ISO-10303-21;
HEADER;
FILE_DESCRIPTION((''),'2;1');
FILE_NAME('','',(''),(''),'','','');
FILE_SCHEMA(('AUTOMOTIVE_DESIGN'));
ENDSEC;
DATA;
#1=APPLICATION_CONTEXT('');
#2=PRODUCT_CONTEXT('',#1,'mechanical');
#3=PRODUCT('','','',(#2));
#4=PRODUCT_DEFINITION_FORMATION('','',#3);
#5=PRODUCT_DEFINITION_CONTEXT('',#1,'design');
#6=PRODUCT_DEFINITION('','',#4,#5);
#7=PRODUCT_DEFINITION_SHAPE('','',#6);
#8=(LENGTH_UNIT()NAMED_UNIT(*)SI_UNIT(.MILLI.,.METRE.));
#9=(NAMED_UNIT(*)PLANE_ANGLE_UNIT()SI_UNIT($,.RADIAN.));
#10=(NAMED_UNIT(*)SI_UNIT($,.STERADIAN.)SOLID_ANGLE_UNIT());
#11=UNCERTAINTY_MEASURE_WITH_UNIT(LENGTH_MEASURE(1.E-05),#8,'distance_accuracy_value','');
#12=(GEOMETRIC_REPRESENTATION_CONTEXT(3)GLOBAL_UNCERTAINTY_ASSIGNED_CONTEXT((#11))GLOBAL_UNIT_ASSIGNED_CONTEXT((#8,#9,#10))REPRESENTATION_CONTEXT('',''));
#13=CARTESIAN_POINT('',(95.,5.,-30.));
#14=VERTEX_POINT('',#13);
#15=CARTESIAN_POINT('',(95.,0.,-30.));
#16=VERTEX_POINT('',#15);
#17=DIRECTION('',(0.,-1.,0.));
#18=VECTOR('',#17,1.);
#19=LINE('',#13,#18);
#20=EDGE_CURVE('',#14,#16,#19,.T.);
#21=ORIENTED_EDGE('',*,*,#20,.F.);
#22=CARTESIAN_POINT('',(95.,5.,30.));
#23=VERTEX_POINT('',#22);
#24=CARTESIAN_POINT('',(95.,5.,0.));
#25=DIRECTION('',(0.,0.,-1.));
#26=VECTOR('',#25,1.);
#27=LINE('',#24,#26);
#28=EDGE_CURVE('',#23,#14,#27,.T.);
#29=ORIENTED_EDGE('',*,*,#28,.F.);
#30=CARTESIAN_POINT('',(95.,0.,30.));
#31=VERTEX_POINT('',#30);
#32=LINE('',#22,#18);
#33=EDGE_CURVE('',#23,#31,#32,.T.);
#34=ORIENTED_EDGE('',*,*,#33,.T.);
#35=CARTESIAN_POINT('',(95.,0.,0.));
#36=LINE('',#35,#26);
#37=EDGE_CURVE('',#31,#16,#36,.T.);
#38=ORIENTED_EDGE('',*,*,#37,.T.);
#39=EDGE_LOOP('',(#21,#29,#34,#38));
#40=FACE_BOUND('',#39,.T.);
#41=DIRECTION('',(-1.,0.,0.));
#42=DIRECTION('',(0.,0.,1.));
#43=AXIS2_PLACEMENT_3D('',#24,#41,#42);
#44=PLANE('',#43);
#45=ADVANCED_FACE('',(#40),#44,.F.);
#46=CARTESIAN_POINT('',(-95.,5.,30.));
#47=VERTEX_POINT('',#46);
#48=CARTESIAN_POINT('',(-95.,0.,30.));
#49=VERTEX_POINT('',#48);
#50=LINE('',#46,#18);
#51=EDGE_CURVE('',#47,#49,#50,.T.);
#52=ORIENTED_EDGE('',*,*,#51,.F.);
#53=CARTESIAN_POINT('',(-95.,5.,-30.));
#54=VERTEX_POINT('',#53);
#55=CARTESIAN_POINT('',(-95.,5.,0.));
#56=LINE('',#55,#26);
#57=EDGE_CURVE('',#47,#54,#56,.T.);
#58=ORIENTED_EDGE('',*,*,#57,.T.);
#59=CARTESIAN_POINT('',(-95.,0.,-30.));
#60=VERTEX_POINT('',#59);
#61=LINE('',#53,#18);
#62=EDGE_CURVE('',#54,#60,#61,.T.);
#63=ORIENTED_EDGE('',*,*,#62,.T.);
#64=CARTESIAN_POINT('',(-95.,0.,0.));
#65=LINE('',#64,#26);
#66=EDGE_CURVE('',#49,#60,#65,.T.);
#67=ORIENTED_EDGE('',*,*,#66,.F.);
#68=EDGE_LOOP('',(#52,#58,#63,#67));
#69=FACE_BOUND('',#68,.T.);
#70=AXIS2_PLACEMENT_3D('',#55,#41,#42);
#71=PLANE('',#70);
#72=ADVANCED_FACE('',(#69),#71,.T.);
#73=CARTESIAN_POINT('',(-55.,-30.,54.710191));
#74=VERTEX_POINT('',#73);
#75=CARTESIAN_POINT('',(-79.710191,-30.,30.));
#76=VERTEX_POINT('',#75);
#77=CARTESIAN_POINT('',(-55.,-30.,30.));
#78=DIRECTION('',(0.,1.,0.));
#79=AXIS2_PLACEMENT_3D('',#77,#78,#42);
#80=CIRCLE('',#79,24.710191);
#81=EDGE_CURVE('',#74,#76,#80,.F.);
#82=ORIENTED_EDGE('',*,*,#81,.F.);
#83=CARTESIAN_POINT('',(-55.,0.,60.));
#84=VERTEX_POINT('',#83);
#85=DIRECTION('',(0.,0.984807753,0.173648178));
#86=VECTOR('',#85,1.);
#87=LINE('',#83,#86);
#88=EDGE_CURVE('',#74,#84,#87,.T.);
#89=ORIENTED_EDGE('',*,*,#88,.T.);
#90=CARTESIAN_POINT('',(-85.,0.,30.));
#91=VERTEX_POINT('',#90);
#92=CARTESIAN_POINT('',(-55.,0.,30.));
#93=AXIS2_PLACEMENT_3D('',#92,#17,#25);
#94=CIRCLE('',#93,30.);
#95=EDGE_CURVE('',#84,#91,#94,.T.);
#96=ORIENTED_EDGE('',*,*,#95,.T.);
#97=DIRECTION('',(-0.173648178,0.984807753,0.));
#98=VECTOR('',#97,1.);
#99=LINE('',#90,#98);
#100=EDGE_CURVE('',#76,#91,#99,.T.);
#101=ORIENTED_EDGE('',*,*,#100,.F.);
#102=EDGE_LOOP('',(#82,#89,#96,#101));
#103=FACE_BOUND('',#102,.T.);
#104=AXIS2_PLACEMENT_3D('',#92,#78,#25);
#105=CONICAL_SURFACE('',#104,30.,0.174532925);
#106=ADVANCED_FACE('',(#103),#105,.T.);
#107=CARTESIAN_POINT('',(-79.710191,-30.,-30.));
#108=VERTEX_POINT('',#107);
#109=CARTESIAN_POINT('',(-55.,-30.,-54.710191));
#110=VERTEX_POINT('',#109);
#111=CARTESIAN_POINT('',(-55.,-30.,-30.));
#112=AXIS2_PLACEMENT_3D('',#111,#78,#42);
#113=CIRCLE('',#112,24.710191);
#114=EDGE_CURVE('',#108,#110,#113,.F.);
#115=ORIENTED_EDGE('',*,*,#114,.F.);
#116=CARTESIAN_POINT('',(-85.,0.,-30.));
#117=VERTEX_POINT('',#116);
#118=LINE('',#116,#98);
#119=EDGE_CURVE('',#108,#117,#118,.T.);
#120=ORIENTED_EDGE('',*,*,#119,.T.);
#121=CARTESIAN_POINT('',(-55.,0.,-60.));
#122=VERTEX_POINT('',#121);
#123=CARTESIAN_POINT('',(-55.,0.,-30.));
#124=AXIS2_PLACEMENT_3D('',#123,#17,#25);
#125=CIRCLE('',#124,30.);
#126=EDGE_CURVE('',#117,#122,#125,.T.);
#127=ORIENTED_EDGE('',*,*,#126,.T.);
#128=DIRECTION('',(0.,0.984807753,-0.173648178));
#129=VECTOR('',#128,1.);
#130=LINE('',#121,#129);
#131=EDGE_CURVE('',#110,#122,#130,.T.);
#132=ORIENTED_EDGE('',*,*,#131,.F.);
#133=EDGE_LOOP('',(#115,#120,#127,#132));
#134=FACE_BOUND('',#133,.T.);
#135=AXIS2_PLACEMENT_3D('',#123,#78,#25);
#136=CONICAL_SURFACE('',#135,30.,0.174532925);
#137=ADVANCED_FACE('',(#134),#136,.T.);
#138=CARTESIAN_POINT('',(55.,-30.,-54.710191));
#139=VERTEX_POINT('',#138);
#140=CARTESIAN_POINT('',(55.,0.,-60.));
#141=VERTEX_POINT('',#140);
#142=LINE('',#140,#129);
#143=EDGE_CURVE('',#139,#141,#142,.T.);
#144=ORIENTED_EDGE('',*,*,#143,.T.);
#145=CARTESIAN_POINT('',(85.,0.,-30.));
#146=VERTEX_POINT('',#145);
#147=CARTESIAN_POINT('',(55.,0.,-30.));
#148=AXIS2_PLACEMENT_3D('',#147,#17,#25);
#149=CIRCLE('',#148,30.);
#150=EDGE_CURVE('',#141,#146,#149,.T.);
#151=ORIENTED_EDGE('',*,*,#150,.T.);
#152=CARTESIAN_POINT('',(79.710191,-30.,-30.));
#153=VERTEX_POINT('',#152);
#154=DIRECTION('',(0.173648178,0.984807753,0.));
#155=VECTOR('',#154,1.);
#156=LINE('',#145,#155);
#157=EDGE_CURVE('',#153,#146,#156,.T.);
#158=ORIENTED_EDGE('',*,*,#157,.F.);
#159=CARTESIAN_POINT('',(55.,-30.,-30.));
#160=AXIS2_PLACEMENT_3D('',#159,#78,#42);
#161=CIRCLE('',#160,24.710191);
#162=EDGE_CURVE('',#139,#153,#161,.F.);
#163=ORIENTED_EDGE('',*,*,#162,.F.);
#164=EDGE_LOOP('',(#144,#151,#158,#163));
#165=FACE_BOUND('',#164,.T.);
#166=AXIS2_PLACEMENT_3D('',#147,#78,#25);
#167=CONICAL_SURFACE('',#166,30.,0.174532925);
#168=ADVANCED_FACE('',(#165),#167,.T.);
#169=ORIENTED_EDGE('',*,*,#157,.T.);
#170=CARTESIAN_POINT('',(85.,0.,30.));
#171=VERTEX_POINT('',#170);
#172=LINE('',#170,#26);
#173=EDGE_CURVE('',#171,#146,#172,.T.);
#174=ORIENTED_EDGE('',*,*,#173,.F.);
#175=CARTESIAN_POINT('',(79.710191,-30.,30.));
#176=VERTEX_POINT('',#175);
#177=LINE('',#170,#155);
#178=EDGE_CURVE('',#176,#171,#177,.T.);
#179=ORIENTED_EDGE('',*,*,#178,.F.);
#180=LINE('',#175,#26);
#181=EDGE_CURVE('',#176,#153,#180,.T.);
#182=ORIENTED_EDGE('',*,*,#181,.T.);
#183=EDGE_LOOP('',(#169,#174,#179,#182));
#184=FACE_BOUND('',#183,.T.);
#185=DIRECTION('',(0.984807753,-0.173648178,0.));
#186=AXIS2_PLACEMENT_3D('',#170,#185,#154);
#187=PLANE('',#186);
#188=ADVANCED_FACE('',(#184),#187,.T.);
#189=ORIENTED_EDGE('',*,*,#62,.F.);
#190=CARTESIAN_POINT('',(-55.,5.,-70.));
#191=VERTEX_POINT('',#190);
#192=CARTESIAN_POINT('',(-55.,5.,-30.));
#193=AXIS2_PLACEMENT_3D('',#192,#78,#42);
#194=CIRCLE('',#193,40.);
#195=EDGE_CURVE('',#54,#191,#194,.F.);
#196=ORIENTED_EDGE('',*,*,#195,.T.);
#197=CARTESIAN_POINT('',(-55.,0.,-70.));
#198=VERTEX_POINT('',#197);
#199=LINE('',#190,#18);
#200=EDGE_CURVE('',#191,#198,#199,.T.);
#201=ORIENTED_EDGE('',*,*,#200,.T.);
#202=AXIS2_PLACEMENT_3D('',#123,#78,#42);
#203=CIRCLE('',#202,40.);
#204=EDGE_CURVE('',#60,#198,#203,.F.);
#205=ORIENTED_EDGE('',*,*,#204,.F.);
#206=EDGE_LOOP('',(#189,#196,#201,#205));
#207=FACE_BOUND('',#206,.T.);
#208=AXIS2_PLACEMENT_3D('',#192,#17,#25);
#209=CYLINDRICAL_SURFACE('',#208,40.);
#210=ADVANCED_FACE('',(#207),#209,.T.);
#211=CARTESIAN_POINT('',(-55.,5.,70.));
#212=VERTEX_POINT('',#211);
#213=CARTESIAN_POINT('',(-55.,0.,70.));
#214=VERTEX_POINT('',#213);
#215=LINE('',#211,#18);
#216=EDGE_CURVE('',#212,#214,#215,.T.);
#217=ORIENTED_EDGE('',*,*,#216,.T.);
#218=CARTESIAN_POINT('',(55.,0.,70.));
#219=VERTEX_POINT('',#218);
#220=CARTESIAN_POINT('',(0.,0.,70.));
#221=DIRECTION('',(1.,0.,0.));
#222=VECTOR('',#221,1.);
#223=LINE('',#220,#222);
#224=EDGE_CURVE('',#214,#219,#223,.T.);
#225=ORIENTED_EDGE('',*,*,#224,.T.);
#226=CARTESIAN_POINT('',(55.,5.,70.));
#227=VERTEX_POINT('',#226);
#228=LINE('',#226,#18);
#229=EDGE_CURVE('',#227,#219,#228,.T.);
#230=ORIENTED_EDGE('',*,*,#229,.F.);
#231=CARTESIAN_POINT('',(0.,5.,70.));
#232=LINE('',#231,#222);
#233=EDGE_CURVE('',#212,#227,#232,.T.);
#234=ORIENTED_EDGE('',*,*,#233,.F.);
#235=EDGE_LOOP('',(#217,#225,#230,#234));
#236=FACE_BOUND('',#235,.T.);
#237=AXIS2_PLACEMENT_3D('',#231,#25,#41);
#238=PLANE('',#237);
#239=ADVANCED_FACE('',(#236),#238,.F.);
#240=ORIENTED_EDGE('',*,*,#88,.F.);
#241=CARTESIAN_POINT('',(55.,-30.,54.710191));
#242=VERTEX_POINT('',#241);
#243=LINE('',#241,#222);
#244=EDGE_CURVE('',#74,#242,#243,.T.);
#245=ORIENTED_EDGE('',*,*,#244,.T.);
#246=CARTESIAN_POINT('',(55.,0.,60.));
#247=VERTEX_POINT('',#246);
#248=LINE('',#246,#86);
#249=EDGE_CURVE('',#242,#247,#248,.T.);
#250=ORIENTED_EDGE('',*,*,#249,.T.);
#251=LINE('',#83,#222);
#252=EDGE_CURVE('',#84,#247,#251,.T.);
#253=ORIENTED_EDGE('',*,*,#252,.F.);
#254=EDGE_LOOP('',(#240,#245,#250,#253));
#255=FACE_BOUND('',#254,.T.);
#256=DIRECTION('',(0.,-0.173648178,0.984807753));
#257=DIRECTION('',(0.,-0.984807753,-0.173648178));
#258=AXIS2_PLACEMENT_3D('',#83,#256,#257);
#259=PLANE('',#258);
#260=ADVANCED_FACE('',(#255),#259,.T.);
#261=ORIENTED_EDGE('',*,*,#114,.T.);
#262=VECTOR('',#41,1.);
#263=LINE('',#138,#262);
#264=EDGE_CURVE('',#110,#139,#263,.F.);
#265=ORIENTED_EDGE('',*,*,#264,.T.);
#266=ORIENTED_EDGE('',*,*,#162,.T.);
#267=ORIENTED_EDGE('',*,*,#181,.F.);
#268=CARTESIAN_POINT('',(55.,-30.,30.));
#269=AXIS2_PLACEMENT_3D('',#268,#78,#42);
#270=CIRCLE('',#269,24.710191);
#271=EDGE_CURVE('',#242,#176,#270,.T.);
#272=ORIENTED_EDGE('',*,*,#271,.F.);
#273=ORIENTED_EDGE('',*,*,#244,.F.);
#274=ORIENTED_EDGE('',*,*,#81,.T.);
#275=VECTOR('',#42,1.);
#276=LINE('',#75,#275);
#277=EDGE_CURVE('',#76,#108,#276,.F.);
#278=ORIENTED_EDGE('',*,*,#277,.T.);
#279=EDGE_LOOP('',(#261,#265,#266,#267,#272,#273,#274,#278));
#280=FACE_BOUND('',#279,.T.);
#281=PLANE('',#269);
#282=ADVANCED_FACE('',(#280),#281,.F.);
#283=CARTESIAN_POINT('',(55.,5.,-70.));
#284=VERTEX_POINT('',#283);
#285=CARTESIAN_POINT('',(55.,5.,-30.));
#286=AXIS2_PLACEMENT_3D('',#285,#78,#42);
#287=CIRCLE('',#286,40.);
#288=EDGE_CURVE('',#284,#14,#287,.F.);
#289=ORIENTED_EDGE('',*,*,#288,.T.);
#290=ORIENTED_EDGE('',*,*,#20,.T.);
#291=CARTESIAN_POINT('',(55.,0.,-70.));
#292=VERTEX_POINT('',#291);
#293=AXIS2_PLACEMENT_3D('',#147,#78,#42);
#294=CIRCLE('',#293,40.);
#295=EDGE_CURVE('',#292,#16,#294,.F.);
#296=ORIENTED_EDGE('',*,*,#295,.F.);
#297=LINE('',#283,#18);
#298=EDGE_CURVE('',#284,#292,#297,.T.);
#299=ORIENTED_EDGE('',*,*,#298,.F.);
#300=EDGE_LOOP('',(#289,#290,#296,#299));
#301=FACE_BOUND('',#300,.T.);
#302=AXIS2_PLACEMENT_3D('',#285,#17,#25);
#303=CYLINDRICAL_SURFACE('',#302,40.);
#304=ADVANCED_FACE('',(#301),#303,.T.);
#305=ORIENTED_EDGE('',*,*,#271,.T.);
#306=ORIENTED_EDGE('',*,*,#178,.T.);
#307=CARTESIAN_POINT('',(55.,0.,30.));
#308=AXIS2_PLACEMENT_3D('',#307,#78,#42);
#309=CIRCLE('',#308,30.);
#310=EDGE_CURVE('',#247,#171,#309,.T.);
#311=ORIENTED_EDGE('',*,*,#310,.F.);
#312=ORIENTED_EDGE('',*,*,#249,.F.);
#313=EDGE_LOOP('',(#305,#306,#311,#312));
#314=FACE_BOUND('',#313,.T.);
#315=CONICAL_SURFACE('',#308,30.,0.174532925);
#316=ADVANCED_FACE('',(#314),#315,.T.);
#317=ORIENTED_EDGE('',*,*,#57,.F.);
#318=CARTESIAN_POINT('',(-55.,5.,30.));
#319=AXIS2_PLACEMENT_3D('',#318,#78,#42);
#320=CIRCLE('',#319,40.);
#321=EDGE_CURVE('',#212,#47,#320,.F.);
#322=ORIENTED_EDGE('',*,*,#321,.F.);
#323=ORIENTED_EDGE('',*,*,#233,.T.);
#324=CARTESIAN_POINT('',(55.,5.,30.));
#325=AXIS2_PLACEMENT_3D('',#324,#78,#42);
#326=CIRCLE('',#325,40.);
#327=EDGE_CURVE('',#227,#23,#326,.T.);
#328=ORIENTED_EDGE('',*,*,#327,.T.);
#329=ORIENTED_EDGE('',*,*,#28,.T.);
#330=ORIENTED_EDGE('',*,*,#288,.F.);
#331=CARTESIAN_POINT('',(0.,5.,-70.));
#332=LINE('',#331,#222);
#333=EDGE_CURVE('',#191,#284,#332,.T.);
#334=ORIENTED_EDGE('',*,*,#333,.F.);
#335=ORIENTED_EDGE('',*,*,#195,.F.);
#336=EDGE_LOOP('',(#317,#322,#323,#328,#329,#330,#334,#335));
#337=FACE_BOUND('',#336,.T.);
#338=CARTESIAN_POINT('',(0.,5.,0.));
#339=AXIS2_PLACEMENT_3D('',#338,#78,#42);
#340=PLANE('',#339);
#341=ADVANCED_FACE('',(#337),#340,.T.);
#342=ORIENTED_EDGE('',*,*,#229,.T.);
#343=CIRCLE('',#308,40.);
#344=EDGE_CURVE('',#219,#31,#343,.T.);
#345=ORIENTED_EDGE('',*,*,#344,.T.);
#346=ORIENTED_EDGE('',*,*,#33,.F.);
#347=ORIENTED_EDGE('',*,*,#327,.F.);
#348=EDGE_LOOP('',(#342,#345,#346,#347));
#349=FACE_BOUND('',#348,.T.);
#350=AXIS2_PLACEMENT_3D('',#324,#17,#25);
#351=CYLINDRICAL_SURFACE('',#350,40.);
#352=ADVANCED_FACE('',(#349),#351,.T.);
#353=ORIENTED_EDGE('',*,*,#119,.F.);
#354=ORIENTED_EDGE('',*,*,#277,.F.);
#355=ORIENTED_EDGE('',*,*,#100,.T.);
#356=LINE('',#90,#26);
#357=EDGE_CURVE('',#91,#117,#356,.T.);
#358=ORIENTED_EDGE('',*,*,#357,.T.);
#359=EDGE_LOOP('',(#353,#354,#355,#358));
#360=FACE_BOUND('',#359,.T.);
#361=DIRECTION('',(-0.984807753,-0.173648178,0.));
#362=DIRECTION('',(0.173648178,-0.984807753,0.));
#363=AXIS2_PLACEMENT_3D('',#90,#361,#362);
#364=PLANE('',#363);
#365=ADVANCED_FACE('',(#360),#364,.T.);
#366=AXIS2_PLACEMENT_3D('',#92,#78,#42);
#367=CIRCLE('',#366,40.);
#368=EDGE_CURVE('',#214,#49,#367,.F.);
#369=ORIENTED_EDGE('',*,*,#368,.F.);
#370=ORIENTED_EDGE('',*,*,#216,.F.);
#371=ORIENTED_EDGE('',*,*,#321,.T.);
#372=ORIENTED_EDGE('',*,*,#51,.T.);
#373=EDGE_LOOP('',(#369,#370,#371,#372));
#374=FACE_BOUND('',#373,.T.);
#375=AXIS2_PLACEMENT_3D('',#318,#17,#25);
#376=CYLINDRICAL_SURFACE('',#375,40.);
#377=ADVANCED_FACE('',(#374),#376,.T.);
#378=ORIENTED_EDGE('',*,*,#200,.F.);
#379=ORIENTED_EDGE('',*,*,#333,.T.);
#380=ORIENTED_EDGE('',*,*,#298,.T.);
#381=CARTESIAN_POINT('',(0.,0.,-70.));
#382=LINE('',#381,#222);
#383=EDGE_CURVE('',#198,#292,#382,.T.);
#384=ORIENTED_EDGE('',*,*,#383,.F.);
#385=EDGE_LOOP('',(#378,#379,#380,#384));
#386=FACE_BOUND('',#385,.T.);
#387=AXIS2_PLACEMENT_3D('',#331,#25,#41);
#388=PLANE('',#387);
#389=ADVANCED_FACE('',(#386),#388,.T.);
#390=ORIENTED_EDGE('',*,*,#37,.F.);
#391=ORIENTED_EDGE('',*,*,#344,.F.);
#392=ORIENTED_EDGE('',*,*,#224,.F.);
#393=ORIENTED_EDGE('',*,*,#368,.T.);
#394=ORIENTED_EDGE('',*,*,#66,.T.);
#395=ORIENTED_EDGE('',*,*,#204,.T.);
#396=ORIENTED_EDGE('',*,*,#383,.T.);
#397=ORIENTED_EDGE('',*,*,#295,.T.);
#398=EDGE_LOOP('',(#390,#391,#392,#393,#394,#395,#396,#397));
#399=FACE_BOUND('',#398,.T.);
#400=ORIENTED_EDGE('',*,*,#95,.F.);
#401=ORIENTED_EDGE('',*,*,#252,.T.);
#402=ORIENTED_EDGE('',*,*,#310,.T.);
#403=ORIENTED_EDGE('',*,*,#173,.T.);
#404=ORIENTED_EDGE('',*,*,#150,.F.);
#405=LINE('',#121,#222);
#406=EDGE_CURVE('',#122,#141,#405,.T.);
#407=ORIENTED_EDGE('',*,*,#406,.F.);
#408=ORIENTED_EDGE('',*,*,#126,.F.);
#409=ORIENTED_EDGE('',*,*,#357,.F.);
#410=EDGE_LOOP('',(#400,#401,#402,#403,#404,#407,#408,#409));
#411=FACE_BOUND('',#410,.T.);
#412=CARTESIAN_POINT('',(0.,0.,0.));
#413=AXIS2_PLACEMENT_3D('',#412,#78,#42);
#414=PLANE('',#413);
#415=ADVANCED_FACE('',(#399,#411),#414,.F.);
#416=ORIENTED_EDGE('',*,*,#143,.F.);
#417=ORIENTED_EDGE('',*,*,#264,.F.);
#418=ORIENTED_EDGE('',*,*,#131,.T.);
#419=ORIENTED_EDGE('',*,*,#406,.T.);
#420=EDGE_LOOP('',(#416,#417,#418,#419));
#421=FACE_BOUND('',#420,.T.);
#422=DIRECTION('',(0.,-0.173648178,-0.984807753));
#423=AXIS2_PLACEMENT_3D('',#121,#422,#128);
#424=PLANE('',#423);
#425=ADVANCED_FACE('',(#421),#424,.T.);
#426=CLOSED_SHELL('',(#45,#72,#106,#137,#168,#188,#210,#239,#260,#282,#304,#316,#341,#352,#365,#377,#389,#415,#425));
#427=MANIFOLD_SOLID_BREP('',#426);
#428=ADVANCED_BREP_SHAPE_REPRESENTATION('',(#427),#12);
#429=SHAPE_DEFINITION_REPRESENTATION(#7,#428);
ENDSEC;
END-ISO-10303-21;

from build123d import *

# Parameters (mm, degrees)
BOSS_EXTRUDE1_DEPTH = 5
BOSS_EXTRUDE2_DEPTH = 30
BOSS_EXTRUDE2_DRAFT = -10


with BuildPart() as part:
    # Sketch1 → Boss-Extrude1 (new body)
    with BuildSketch(Plane(origin=(0, 0, 0), x_dir=(1, 0, 0), z_dir=(0, 1, 0))):
        with BuildLine():
            Line((55, 70), (-55, 70))
            ThreePointArc((-55, 70), (-83.284271247, 58.284271247), (-95, 30))
            Line((-95, 30), (-95, -30))
            ThreePointArc((-95, -30), (-83.284271247, -58.284271247), (-55, -70))
            Line((-55, -70), (55, -70))
            ThreePointArc((55, -70), (83.284271247, -58.284271247), (95, -30))
            Line((95, -30), (95, 30))
            ThreePointArc((95, 30), (83.284271247, 58.284271247), (55, 70))
        make_face()
    extrude(amount=BOSS_EXTRUDE1_DEPTH)


with BuildPart() as boss_extrude2_tool:
    # Sketch1<4> → Boss-Extrude2 (with draft: the straight prism first)
    with BuildSketch(Plane(origin=(0, 0, 0), x_dir=(1, 0, 0), z_dir=(0, 1, 0))):
        with BuildLine():
            Line((-55, -60), (55, -60))
            ThreePointArc((55, -60), (76.213203436, -51.213203436), (85, -30))
            Line((85, -30), (85, 30))
            ThreePointArc((85, 30), (76.213203436, 51.213203436), (55, 60))
            Line((55, 60), (-55, 60))
            ThreePointArc((-55, 60), (-76.213203436, 51.213203436), (-85, 30))
            Line((-85, 30), (-85, -30))
            ThreePointArc((-85, -30), (-76.213203436, -51.213203436), (-55, -60))
        make_face()
    extrude(amount=-BOSS_EXTRUDE2_DEPTH)
    # Boss-Extrude2: the draft: its side faces are tilted about the plane it starts from
    boss_extrude2_sides = [boss_extrude2_tool.faces().sort_by_distance(p)[0] for p in [
        (0, -15, 60),
        (76.213203436, -15, 51.213203436),
        (85, -15, 0),
        (76.213203436, -15, -51.213203436),
        (0, -15, -60),
        (-76.213203436, -15, -51.213203436),
        (-85, -15, 0),
        (-76.213203436, -15, 51.213203436),
    ]]
    draft(boss_extrude2_sides, Plane(origin=(0, 0, 0), x_dir=(1, 0, 0), z_dir=(0, 1, 0)), BOSS_EXTRUDE2_DRAFT)


with BuildPart() as part_1:
    add(part.part)

    # Boss-Extrude2: add boss_extrude2_tool
    add(boss_extrude2_tool.part)


solid = part_1.part
